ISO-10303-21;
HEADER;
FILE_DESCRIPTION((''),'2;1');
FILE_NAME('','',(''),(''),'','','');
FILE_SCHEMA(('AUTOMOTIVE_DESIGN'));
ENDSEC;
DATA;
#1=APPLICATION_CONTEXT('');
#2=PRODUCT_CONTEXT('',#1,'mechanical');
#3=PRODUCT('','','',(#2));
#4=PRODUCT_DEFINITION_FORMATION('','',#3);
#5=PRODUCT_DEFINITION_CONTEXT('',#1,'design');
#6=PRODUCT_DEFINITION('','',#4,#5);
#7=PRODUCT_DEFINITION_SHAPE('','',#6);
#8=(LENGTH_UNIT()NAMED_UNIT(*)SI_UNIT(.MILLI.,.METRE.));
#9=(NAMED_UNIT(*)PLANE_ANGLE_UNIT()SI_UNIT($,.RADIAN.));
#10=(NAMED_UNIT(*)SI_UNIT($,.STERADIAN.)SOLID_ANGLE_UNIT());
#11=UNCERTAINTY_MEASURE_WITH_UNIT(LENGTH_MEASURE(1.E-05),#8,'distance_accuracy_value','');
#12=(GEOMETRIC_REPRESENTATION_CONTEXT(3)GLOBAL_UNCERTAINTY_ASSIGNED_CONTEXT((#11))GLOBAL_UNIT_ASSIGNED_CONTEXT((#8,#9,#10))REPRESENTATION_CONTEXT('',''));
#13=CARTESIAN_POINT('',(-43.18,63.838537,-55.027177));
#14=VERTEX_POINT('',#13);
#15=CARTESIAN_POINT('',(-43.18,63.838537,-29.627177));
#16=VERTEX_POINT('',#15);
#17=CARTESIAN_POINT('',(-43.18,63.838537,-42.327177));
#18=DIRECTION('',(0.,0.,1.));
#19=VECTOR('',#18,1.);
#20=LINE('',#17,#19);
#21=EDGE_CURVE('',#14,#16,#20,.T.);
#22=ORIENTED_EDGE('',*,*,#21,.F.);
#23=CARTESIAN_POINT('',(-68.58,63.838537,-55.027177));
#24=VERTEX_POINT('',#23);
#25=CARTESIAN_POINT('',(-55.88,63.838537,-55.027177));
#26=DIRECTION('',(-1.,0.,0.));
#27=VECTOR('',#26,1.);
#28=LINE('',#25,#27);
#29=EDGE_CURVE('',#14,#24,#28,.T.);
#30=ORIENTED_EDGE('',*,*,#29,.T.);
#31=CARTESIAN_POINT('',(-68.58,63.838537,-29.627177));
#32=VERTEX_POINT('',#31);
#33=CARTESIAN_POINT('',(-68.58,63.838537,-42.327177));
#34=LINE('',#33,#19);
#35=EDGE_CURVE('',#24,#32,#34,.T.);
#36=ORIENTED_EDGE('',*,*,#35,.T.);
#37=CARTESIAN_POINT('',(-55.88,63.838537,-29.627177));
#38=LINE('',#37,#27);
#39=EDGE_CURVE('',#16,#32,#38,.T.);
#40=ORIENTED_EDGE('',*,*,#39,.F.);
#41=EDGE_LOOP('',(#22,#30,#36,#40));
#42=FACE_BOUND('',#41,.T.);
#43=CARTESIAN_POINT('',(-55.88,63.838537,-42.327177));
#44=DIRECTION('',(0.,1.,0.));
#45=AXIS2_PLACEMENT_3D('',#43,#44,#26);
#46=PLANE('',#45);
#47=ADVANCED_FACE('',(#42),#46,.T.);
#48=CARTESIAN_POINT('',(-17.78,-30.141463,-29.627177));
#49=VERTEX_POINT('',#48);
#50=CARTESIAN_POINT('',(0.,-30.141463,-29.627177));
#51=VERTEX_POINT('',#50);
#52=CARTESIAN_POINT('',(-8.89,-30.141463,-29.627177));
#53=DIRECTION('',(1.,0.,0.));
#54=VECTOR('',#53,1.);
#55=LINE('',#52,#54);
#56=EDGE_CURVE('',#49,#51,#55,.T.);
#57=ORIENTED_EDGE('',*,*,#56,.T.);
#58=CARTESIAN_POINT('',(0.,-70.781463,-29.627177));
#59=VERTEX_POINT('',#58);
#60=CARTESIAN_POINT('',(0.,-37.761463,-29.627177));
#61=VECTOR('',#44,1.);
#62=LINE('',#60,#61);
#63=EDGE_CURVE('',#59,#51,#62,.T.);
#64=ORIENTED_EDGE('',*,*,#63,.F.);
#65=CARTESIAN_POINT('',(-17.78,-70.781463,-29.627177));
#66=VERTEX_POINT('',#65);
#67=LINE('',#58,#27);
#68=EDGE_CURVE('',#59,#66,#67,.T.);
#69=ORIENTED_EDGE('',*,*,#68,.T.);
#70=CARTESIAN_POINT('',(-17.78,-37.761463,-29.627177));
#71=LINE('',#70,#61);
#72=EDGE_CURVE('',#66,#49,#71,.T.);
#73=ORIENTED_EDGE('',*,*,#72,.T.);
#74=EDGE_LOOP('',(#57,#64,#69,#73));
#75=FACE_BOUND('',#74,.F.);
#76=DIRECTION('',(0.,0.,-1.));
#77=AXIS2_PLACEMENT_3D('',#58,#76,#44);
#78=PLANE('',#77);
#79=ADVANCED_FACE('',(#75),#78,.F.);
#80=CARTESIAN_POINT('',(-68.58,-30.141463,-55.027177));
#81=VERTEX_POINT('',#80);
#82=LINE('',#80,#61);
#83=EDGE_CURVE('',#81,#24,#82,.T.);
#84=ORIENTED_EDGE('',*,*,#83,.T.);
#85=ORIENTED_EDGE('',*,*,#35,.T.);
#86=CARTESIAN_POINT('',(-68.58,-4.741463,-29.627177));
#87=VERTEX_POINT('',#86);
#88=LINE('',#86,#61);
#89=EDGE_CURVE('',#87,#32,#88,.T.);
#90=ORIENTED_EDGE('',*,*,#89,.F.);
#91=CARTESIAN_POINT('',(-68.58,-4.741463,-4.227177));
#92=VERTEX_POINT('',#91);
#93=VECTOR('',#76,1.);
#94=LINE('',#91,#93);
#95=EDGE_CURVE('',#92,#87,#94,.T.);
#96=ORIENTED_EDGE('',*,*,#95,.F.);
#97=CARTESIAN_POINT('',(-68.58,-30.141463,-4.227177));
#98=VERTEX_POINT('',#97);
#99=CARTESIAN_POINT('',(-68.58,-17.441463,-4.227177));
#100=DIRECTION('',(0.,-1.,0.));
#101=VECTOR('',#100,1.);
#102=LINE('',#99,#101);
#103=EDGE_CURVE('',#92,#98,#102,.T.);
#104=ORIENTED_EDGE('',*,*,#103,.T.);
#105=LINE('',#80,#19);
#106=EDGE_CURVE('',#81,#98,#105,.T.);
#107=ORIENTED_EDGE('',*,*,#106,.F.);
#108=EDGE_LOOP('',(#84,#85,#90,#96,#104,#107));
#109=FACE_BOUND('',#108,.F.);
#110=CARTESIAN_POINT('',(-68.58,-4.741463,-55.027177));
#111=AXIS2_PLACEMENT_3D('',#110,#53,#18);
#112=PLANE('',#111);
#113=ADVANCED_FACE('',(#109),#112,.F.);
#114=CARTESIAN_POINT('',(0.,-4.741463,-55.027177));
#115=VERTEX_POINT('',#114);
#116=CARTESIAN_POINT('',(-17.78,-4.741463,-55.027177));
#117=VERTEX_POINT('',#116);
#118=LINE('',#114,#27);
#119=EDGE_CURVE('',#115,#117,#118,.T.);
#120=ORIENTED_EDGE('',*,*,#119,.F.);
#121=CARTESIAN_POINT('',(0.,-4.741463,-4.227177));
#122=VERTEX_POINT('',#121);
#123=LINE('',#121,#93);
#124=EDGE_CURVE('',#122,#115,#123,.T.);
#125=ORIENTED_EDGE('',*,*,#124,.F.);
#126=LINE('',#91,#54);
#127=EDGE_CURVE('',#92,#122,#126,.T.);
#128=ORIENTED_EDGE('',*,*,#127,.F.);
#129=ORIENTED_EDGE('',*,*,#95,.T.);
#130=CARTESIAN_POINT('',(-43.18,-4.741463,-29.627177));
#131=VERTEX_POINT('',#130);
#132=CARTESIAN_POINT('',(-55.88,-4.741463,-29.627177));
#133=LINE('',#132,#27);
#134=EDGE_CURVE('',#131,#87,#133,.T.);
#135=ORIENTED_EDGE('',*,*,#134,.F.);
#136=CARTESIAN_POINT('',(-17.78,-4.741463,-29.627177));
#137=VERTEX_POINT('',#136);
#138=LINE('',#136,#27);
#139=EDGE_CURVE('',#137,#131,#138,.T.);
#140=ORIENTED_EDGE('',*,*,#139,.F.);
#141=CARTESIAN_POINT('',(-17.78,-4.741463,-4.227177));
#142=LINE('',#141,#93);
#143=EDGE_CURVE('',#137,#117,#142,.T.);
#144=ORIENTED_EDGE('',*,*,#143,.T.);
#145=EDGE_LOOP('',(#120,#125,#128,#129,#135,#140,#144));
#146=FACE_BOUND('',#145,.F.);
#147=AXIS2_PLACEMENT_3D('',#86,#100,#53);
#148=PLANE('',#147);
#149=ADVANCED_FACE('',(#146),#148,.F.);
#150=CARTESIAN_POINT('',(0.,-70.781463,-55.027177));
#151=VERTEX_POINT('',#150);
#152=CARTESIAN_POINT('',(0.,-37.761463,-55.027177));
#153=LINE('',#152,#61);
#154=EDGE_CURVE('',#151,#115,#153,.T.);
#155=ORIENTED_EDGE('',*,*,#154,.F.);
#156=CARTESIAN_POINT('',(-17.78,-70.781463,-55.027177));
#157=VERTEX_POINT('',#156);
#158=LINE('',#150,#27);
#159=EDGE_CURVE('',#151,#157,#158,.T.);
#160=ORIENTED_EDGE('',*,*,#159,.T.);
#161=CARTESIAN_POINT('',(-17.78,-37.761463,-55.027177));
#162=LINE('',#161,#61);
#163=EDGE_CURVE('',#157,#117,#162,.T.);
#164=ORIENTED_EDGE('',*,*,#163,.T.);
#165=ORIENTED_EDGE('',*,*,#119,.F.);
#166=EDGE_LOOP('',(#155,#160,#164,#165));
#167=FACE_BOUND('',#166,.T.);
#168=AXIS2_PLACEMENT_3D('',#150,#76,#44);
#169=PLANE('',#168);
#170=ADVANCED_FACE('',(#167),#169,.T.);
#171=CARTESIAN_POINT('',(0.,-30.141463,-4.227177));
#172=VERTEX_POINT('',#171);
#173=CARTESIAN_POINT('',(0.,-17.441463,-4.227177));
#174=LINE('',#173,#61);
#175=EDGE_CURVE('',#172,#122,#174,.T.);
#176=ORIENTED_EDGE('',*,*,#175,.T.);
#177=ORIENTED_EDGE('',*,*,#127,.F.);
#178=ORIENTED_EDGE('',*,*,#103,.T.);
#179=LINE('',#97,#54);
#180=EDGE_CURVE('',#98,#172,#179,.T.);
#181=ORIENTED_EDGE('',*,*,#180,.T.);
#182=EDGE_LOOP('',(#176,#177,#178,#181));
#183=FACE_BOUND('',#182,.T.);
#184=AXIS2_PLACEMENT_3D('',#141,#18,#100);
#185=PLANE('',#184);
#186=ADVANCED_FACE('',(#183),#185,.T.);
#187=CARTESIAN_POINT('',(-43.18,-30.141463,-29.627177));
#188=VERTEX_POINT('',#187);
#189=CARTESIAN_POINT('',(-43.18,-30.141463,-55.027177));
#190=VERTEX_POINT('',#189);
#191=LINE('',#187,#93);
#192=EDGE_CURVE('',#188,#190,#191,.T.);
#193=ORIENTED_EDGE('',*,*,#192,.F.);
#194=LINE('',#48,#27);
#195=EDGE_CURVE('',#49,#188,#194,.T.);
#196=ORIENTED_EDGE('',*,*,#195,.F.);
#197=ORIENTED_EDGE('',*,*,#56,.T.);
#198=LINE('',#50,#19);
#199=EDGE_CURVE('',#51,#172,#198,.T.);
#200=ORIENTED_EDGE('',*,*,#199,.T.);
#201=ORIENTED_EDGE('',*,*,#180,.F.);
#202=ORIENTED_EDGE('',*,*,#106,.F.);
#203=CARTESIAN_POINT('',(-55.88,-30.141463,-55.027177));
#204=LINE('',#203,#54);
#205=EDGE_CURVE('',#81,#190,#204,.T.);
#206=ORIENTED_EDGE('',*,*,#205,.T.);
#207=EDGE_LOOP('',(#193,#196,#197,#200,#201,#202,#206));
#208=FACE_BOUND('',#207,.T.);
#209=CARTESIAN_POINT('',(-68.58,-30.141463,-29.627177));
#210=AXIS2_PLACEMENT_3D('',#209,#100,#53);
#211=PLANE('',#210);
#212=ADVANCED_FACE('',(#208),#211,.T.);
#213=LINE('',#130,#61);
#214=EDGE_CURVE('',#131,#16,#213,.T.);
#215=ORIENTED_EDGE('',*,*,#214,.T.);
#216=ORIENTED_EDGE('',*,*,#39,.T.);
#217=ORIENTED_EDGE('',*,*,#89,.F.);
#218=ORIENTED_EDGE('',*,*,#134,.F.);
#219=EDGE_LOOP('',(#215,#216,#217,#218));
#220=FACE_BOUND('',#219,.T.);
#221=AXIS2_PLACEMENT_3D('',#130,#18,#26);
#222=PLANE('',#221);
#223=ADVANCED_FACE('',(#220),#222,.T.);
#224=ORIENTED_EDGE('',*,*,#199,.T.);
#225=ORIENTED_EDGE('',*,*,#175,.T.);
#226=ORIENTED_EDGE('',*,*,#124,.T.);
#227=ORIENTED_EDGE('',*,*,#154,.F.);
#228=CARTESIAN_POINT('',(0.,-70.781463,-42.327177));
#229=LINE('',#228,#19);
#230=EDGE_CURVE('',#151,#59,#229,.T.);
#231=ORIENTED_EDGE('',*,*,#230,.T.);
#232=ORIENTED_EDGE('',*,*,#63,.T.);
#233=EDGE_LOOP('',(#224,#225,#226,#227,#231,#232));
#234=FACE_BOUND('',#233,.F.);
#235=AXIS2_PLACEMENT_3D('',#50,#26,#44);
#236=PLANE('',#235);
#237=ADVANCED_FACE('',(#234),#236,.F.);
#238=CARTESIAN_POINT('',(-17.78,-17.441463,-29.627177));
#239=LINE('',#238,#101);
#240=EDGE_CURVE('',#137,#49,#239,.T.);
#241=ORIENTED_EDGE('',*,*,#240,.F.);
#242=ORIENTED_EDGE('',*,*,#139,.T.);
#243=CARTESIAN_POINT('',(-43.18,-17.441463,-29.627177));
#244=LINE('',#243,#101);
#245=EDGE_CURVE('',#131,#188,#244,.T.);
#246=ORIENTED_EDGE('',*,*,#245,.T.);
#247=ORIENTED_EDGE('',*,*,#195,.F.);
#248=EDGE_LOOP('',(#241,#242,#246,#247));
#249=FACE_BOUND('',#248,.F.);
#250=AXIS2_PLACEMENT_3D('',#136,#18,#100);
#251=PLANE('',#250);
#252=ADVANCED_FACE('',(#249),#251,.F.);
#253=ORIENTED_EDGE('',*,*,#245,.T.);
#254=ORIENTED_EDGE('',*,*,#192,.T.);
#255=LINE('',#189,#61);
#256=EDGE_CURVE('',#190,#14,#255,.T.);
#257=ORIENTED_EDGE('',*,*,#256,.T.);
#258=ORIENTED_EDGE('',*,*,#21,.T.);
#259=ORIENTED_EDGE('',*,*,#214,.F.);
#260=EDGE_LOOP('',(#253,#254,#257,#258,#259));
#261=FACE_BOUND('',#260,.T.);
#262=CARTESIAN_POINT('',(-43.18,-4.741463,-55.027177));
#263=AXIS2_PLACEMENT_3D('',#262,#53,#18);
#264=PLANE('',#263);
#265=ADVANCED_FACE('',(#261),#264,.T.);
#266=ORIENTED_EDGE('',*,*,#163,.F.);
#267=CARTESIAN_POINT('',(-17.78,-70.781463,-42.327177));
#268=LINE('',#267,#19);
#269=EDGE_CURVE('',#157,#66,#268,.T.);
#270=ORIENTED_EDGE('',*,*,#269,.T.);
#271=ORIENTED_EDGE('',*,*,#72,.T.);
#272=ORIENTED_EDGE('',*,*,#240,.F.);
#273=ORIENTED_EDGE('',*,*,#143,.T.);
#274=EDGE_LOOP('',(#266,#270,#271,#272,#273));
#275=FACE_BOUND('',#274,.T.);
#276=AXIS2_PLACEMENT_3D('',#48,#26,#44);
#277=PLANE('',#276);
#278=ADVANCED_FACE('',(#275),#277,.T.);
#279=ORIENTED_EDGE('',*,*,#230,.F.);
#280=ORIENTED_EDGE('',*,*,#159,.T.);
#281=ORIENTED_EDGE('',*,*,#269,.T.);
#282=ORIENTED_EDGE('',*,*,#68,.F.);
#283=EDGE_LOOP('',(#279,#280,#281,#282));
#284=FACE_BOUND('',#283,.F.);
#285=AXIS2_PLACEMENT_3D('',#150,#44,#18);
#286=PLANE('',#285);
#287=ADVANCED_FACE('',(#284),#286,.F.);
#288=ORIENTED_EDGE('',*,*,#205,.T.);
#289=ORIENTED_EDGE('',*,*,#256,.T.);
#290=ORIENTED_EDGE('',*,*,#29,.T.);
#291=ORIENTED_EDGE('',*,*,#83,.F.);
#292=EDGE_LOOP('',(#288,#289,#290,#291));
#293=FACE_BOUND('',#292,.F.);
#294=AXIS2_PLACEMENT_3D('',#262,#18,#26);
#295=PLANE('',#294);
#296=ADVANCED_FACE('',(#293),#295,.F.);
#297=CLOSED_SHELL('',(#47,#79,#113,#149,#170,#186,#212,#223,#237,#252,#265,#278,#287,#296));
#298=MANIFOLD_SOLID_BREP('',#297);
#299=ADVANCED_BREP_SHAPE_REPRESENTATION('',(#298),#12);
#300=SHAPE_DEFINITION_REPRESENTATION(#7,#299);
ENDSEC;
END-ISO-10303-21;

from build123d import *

# Parameters (mm, degrees)
F0_W     = 66.04
F0_H     = 25.4
F1_DEPTH = 17.78
F2_W     = 17.78
F2_H     = 25.4
F3_DEPTH = 25.4
F4_W     = 25.4
F4_H     = 25.4
F5_DEPTH = 50.8
F6_W     = 25.4
F6_H     = 25.4
F7_DEPTH = 25.4
F8_W     = 25.4
F8_H     = 25.4
F9_DEPTH = 68.58


with BuildPart() as f1:
    # F0 (on Right) → F1 (new body)
    with BuildSketch(Plane.YZ):
        with Locations((-37.761463, -42.327177)):
            Rectangle(F0_W, F0_H)
    extrude(amount=-F1_DEPTH)

    # F2 (on face) → F3 (join)
    with BuildSketch(Plane.XY.offset(-29.627177)):
        with Locations((-8.89, -17.441463)):
            Rectangle(F2_W, F2_H)
    extrude(amount=F3_DEPTH)

    # F4 (on face) → F5 (join)
    with BuildSketch(Plane(origin=(-17.78, 0, 0), x_dir=(0, -1, 0), z_dir=(-1, 0, 0))):
        with Locations((17.441463, -16.927177)):
            Rectangle(F4_W, F4_H)
    extrude(amount=F5_DEPTH)

    # F6 (on face) → F7 (join)
    with BuildSketch(Plane(origin=(0, 0, -29.627177), x_dir=(1, 0, 0), z_dir=(0, 0, -1))):
        with Locations((-55.88, 17.441463)):
            Rectangle(F6_W, F6_H)
    extrude(amount=F7_DEPTH)

    # F8 (on face) → F9 (join)
    with BuildSketch(Plane(origin=(0, -4.741463, 0), x_dir=(-1, 0, 0), z_dir=(0, 1, 0))):
        with Locations((55.88, -42.327177)):
            Rectangle(F8_W, F8_H)
    extrude(amount=F9_DEPTH)


solid = f1.part
